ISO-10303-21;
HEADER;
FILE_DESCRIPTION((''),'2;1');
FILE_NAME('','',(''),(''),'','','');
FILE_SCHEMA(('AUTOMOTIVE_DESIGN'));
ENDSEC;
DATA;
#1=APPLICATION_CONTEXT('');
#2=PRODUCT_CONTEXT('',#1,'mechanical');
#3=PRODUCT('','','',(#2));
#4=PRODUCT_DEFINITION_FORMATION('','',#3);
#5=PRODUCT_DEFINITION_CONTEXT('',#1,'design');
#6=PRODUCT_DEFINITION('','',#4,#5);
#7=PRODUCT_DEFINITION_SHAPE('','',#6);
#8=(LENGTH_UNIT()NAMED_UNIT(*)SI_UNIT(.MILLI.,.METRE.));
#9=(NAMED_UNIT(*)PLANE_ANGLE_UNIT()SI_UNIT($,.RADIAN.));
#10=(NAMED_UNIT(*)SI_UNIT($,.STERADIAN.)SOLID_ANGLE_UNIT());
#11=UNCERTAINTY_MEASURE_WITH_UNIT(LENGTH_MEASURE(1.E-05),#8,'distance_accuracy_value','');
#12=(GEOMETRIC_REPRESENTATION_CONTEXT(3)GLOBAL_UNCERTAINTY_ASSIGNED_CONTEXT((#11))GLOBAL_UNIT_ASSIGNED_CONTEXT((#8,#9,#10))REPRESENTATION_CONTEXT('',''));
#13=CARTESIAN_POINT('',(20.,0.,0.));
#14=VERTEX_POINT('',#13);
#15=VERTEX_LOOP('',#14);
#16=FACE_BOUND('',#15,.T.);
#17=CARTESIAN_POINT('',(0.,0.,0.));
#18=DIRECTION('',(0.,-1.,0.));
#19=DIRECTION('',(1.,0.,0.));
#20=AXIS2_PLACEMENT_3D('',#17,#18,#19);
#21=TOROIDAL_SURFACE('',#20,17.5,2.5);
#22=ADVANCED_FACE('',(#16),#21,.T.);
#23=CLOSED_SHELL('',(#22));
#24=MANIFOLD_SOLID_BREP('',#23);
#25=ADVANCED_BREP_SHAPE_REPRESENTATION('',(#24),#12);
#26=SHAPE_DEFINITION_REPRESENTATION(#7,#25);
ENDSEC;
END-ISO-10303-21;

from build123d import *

# Parameters (mm, degrees)
SKETCH_1_R = 2.5


with BuildPart() as part:
    # Эскиз1 → Повернуть1 (revolve)
    with BuildSketch(Plane.XY, mode=Mode.PRIVATE) as revolve_1_sk:
        with Locations((-17.5, 0)):
            Circle(SKETCH_1_R)
    revolve(revolve_1_sk.sketch.rotate(Axis((0, -1000, 0), (0, 1, 0)), 180), axis=Axis((0, -1000, 0), (0, 1, 0)))


solid = part.part
